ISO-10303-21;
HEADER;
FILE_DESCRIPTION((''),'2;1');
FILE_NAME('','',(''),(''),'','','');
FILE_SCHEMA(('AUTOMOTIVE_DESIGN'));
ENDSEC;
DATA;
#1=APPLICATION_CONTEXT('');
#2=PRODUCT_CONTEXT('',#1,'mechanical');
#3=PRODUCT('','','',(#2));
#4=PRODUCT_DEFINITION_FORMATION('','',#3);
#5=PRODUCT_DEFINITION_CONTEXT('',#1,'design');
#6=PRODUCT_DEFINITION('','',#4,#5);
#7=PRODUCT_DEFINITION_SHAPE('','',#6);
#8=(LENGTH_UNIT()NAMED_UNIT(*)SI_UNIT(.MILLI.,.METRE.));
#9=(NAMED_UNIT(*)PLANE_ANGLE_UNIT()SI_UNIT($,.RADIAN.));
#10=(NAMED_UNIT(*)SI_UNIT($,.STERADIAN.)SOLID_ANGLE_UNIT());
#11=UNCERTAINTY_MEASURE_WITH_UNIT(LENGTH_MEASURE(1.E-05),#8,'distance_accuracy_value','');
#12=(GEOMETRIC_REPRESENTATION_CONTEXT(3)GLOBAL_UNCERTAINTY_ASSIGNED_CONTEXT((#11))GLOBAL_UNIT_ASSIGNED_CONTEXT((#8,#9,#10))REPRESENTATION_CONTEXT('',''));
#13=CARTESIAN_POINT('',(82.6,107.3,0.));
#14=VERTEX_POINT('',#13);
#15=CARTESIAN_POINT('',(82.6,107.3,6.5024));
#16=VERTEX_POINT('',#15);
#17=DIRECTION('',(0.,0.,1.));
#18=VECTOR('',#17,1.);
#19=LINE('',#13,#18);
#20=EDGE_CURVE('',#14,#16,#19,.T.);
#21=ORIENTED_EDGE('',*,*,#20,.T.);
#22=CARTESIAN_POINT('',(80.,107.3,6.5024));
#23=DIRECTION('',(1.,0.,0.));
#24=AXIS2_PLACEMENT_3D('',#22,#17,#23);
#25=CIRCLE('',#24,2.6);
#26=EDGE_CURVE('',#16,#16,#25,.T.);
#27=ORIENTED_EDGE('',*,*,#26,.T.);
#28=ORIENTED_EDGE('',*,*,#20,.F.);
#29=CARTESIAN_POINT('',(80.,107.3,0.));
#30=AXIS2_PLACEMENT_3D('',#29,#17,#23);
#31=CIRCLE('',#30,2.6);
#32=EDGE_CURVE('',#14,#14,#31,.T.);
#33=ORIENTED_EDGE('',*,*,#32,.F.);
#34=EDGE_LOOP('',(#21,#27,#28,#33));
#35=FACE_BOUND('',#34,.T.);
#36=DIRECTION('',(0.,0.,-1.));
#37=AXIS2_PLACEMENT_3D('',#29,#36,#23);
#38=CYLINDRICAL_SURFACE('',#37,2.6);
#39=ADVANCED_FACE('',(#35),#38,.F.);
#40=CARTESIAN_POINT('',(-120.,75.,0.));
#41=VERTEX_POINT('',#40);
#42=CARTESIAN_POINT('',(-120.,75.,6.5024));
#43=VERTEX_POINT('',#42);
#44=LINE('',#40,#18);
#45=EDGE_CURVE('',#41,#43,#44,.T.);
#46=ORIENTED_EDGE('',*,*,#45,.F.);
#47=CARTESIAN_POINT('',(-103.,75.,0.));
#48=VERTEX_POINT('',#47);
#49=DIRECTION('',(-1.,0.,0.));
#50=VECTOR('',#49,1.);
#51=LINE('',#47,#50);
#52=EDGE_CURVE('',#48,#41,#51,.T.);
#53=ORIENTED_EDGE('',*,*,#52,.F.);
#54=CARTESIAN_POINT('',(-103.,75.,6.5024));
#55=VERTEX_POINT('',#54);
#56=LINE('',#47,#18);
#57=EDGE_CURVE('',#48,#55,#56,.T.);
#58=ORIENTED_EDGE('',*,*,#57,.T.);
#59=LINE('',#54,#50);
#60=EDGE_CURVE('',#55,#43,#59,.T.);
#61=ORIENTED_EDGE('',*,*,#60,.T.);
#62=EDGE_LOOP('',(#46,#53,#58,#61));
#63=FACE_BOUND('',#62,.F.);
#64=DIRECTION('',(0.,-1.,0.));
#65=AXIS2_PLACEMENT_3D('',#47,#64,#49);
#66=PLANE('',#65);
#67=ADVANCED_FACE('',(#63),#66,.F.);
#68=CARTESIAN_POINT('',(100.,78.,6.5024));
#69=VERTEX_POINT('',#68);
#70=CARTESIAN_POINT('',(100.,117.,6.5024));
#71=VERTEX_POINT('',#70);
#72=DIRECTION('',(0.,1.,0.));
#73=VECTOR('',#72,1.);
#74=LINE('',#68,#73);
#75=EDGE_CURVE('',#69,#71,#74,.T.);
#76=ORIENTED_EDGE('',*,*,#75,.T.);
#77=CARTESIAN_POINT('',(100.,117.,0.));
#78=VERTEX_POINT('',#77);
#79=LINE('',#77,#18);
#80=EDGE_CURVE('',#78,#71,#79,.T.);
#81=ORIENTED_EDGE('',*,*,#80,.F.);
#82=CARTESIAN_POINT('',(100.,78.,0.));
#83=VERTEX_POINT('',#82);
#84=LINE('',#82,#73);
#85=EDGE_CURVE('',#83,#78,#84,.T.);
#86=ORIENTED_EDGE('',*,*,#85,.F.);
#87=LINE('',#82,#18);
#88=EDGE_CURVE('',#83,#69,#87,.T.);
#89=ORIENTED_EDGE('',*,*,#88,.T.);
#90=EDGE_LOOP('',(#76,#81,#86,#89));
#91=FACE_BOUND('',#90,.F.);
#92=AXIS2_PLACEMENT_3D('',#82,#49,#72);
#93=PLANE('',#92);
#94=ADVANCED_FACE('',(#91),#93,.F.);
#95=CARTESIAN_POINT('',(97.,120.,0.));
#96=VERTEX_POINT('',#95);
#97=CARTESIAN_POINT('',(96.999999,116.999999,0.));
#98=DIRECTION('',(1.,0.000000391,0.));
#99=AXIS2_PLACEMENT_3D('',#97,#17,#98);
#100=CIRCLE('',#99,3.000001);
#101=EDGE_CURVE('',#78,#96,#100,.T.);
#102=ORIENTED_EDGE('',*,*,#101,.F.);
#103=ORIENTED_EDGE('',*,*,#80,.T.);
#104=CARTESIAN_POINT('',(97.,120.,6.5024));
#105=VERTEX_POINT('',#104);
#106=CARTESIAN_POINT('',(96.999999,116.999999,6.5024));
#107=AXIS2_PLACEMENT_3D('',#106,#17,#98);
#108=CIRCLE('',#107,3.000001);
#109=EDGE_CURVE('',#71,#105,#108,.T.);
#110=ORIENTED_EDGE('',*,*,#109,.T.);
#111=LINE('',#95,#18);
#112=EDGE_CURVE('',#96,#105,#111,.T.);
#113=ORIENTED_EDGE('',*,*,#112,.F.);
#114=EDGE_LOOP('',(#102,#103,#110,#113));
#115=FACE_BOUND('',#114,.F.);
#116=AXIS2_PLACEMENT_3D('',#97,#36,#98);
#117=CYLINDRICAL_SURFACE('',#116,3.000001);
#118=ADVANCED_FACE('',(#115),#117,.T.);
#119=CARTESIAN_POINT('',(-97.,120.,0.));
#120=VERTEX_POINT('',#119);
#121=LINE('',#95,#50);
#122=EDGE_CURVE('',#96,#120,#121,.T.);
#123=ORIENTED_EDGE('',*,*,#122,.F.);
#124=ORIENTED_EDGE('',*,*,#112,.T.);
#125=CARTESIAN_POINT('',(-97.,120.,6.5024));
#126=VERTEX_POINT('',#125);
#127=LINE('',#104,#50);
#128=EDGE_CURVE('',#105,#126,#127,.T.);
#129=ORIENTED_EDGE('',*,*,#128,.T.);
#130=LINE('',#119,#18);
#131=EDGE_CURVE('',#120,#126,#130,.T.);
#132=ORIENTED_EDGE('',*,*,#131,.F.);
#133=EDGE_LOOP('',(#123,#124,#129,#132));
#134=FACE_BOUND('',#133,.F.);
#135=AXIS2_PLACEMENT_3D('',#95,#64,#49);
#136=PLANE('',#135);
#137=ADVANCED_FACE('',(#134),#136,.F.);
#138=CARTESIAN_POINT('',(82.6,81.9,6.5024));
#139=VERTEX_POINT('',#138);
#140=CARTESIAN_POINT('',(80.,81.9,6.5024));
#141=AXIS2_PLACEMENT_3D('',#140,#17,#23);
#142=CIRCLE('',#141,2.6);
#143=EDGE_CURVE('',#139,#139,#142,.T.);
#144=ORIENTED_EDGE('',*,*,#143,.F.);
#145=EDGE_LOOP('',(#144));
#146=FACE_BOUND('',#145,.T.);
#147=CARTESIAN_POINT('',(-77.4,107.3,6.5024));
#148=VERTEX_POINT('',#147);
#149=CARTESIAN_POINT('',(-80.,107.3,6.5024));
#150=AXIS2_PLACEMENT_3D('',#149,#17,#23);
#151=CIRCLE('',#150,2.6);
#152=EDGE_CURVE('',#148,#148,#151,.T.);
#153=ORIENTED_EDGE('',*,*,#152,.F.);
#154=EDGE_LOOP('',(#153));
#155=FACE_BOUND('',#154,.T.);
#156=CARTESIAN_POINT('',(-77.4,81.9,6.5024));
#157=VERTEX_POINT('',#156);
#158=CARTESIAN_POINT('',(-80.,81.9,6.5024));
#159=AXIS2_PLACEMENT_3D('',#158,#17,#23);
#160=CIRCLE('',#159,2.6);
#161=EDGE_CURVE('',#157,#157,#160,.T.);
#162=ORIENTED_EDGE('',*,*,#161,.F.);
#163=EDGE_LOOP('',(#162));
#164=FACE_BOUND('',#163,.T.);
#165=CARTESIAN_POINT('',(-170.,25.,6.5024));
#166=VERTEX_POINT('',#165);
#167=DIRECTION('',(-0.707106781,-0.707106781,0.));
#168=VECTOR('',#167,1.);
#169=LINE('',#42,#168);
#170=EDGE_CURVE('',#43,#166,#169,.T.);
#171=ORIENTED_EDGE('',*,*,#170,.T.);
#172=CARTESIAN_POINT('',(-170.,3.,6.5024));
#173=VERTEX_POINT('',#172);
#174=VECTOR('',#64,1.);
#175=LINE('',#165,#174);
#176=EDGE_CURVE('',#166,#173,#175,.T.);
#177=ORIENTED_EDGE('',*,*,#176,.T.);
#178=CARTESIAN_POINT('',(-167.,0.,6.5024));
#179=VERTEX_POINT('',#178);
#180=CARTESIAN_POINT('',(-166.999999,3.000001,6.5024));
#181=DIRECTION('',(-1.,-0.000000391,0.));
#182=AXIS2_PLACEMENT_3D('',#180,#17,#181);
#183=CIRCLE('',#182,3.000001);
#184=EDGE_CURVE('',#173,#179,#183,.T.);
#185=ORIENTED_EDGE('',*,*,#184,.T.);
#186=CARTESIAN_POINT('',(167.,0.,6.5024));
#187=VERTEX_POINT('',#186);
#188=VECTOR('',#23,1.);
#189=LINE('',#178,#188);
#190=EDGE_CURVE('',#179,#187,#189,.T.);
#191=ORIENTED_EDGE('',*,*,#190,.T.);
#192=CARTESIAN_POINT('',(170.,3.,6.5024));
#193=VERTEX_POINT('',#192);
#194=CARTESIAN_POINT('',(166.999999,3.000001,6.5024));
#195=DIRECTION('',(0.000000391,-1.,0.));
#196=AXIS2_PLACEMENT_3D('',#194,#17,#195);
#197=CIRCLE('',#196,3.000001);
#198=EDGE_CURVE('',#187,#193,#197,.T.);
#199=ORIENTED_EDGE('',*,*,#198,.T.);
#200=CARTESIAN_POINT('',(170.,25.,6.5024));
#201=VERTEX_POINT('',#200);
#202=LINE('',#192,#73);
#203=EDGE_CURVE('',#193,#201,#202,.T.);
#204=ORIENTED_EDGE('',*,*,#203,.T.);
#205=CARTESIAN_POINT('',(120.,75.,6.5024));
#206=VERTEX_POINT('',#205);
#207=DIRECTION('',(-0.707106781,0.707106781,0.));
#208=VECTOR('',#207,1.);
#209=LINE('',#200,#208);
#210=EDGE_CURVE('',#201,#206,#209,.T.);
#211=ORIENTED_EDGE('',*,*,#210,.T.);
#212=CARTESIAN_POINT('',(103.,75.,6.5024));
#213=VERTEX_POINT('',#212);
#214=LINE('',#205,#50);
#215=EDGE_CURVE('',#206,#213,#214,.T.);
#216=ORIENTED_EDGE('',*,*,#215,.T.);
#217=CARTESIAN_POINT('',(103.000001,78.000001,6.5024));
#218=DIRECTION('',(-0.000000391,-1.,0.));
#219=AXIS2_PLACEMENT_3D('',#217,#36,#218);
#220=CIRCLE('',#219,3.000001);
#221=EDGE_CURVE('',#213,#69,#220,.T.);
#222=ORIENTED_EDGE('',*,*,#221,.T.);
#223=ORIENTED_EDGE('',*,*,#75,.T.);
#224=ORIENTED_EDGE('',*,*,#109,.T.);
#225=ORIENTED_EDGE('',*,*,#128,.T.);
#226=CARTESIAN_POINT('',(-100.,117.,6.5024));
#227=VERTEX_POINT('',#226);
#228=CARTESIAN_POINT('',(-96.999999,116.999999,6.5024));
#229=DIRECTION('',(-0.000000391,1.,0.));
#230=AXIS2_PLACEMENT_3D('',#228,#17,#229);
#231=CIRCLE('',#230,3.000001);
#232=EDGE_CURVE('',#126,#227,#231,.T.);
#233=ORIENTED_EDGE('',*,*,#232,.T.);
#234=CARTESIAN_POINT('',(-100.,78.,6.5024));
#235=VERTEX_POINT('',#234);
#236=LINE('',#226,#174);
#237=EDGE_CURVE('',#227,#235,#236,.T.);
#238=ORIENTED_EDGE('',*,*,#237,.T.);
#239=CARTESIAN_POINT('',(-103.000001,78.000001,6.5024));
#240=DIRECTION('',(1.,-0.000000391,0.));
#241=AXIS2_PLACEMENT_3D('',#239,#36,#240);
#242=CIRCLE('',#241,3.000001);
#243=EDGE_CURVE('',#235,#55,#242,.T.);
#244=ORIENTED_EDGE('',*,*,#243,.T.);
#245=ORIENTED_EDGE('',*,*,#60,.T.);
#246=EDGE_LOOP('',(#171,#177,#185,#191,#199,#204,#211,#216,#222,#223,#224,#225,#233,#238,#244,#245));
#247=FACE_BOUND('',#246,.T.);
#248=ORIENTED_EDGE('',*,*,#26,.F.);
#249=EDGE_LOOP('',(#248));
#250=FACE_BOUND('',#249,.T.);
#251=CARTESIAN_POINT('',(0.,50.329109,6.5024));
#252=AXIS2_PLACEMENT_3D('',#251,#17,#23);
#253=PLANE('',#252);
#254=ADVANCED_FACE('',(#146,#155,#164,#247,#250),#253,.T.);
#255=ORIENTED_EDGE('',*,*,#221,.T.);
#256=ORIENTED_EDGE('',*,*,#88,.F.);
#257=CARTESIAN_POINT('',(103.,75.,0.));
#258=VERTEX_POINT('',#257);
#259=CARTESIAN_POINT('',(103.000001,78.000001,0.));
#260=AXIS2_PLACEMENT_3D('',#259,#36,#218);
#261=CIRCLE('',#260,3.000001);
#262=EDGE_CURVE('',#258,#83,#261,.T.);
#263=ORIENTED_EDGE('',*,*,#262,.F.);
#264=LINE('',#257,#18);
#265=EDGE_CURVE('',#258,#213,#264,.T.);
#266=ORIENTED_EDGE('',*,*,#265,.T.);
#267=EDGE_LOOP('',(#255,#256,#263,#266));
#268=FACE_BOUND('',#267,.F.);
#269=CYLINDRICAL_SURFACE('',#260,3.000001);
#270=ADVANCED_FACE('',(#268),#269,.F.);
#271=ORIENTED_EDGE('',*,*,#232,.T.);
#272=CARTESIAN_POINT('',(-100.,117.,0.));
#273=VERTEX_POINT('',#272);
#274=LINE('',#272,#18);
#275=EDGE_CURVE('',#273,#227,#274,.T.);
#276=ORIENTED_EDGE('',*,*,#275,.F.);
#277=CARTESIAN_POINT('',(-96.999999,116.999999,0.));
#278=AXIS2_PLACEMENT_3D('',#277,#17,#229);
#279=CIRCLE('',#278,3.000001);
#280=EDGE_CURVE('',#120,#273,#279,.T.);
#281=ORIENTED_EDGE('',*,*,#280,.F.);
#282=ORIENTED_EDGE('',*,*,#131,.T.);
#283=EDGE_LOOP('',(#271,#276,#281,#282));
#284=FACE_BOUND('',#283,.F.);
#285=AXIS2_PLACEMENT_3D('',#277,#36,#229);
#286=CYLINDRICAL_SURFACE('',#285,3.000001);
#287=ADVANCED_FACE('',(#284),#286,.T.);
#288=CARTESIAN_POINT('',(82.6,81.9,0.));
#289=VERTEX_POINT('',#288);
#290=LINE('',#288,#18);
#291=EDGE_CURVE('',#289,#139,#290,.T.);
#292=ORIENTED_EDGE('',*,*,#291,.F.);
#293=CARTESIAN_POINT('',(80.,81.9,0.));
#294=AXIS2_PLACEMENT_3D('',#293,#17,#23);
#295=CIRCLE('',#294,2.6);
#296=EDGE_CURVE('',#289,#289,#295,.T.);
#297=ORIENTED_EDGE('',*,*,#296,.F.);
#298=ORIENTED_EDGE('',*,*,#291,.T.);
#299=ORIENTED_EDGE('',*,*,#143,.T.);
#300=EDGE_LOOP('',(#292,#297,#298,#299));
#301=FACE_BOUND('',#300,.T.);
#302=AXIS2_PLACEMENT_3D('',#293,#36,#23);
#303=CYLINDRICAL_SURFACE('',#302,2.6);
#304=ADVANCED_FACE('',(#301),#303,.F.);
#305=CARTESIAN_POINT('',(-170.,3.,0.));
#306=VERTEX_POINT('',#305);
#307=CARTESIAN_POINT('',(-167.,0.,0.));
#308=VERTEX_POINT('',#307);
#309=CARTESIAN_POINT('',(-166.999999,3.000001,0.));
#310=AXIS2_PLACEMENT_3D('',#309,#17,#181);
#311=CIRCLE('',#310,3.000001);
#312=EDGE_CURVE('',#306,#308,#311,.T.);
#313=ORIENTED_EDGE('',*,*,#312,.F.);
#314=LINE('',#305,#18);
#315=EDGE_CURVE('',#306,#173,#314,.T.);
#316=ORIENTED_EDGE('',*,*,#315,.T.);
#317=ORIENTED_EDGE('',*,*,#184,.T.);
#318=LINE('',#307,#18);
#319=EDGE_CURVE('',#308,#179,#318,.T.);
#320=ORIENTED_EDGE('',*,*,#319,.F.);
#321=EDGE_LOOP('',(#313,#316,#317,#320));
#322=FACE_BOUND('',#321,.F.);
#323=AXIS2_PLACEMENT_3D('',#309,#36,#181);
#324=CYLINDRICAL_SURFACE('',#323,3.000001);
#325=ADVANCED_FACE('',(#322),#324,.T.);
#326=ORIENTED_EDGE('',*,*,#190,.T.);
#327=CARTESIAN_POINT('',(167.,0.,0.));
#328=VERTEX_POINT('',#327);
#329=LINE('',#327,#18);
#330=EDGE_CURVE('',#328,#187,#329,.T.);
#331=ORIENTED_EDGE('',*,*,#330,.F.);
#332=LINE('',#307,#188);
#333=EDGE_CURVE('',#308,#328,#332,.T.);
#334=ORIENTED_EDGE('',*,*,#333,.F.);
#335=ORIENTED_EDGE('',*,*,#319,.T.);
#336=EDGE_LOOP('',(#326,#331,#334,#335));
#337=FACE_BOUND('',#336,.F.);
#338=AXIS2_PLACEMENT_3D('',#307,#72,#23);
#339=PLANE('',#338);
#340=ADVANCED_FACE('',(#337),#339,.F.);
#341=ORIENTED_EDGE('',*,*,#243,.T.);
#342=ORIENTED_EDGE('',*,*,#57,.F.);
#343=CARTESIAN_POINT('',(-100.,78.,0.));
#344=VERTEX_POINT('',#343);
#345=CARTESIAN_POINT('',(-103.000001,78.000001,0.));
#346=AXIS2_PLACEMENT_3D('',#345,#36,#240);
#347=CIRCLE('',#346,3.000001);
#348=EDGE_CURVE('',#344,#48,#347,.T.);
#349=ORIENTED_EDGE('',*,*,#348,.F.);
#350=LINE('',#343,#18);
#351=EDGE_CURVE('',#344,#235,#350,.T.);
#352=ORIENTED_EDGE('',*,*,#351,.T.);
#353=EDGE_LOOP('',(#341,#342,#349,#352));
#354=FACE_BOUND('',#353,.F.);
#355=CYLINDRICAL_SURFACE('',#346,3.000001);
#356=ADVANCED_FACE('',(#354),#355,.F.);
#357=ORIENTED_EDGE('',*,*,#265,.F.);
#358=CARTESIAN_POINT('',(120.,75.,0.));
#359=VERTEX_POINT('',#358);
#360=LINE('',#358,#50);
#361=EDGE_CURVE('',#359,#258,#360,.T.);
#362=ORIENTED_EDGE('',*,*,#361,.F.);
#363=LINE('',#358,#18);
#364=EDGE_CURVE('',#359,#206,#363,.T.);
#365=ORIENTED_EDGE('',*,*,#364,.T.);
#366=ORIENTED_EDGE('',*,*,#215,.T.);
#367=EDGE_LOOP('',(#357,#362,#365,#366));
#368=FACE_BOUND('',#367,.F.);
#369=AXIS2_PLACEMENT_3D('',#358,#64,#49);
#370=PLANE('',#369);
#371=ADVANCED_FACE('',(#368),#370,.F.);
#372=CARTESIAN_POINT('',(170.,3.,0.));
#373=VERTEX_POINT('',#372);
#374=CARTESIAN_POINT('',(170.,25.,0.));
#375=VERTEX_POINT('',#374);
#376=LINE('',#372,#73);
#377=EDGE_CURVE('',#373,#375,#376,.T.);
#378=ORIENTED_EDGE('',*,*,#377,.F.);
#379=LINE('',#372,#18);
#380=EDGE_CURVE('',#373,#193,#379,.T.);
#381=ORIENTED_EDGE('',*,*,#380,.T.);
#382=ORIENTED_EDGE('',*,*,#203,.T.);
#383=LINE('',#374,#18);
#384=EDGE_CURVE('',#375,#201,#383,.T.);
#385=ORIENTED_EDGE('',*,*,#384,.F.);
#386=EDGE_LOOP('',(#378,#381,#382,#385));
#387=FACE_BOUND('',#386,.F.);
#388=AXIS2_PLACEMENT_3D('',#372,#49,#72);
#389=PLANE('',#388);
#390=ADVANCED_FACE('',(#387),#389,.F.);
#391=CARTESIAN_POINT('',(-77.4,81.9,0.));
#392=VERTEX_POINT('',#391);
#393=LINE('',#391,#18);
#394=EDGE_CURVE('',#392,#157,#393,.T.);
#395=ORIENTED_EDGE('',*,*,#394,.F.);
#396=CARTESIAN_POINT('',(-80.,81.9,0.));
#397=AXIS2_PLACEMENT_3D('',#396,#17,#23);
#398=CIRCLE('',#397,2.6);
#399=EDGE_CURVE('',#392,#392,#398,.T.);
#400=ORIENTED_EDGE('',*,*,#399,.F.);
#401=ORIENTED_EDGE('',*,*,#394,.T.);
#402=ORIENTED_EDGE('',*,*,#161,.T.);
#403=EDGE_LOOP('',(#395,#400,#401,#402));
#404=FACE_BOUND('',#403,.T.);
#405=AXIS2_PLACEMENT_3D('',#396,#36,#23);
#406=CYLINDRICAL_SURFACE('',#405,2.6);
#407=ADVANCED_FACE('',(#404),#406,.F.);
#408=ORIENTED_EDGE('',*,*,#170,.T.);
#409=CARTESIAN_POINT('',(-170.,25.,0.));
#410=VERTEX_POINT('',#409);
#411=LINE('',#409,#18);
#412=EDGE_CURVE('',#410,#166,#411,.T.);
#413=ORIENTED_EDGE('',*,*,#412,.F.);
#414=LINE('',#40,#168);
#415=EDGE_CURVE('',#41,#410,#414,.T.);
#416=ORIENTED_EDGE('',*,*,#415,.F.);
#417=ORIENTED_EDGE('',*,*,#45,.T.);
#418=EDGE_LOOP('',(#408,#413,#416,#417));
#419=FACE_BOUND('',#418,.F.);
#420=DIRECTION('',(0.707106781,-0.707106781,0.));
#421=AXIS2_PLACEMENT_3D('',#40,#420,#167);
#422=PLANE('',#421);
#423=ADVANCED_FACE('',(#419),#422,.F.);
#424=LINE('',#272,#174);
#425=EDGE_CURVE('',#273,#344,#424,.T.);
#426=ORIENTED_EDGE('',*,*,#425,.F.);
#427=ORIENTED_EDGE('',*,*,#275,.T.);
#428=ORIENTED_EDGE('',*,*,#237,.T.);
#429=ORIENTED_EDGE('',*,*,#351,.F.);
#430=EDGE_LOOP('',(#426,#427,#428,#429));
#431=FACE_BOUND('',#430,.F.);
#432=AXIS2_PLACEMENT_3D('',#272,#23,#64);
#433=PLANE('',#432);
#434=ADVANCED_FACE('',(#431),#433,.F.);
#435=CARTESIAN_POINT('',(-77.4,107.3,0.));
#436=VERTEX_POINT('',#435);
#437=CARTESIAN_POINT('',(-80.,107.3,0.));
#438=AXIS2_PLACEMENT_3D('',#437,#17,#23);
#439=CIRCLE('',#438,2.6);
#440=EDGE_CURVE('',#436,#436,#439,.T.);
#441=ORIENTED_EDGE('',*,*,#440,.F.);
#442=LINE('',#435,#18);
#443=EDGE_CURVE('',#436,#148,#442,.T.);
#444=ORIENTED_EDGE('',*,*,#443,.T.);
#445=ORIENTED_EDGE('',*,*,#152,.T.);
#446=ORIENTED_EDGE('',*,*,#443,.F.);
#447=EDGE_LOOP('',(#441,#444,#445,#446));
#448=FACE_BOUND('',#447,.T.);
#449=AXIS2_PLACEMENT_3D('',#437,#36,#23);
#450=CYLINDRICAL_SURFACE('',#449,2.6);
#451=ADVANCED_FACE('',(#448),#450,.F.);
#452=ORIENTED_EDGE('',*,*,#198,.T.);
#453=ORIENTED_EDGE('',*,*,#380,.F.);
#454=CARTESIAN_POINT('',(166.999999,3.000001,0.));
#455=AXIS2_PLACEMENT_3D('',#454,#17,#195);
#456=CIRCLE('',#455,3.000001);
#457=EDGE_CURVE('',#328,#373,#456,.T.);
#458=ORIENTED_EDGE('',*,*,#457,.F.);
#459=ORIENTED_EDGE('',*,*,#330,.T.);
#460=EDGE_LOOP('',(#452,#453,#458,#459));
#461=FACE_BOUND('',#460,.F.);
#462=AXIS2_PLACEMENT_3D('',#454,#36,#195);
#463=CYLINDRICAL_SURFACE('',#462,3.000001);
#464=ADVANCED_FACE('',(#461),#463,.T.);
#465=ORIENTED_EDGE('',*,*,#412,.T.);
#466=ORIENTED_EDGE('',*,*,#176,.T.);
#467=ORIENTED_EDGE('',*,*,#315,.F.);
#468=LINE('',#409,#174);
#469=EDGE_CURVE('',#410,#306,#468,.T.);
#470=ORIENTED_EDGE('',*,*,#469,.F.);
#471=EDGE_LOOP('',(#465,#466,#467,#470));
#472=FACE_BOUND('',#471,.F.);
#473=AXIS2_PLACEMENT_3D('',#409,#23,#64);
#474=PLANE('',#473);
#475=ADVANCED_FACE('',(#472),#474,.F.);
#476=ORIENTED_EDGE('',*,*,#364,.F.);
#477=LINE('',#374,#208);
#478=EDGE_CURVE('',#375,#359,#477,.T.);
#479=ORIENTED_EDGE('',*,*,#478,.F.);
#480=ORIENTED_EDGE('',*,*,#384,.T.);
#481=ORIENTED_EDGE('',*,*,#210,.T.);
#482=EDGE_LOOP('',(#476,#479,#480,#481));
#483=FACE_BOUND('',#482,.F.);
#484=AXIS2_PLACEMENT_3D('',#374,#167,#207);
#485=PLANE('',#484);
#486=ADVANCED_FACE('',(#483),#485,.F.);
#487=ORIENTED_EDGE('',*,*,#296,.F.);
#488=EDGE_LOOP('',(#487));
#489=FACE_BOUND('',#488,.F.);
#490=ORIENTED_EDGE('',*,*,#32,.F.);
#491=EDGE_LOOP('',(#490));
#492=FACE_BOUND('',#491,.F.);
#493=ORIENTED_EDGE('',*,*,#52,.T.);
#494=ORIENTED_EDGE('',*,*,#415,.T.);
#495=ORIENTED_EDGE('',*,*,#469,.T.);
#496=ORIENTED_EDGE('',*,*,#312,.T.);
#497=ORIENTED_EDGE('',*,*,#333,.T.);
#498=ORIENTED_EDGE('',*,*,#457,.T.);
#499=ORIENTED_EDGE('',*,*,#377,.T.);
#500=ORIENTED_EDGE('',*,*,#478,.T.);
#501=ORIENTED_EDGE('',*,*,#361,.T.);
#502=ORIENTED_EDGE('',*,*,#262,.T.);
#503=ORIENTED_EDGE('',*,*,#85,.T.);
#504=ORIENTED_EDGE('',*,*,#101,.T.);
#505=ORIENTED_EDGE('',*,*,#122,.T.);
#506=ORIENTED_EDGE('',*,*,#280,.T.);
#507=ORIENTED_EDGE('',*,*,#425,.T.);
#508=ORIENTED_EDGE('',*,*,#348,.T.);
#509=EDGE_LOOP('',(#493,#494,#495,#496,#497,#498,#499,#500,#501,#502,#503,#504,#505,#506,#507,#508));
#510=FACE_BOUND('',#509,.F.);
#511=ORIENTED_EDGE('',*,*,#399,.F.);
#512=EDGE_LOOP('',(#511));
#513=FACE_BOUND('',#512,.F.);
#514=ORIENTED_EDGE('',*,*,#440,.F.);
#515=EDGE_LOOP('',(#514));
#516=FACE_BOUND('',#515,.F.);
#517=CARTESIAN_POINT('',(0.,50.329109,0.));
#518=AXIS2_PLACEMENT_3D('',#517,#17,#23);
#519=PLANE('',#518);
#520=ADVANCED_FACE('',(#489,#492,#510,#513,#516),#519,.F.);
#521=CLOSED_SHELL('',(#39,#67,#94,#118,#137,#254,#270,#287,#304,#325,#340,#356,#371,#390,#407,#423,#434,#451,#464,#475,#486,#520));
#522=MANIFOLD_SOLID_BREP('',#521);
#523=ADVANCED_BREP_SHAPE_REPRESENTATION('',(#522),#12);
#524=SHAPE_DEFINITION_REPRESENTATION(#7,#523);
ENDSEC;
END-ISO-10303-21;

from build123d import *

# Parameters (mm, degrees)
F0_R     = 2.6
F1_DEPTH = 6.5024


with BuildPart() as f1:
    # F0 (on Top) → F1 (new body)
    with BuildSketch(Plane.XY):
        with BuildLine():
            Line((-103, 75), (-120, 75))
            Line((-120, 75), (-170, 25))
            Line((-170, 25), (-170, 3))
            ThreePointArc((-170, 3), (-169.12132, 0.87868), (-167, 0))
            Line((-167, 0), (0, 0))
            Line((0, 0), (167, 0))
            ThreePointArc((167, 0), (169.12132, 0.87868), (170, 3))
            Line((170, 3), (170, 25))
            Line((170, 25), (120, 75))
            Line((120, 75), (103, 75))
            ThreePointArc((103, 75), (100.87868, 75.87868), (100, 78))
            Line((100, 78), (100, 117))
            ThreePointArc((100, 117), (99.12132, 119.12132), (97, 120))
            Line((97, 120), (0, 120))
            Line((0, 120), (-97, 120))
            ThreePointArc((-97, 120), (-99.12132, 119.12132), (-100, 117))
            Line((-100, 117), (-100, 78))
            ThreePointArc((-100, 78), (-100.87868, 75.87868), (-103, 75))
        make_face()
        with Locations((-80, 81.9)):
            Circle(F0_R, mode=Mode.SUBTRACT)
        with Locations((-80, 107.3)):
            Circle(F0_R, mode=Mode.SUBTRACT)
        with Locations((80, 81.9)):
            Circle(F0_R, mode=Mode.SUBTRACT)
        with Locations((80, 107.3)):
            Circle(F0_R, mode=Mode.SUBTRACT)
    extrude(amount=F1_DEPTH)


solid = f1.part
